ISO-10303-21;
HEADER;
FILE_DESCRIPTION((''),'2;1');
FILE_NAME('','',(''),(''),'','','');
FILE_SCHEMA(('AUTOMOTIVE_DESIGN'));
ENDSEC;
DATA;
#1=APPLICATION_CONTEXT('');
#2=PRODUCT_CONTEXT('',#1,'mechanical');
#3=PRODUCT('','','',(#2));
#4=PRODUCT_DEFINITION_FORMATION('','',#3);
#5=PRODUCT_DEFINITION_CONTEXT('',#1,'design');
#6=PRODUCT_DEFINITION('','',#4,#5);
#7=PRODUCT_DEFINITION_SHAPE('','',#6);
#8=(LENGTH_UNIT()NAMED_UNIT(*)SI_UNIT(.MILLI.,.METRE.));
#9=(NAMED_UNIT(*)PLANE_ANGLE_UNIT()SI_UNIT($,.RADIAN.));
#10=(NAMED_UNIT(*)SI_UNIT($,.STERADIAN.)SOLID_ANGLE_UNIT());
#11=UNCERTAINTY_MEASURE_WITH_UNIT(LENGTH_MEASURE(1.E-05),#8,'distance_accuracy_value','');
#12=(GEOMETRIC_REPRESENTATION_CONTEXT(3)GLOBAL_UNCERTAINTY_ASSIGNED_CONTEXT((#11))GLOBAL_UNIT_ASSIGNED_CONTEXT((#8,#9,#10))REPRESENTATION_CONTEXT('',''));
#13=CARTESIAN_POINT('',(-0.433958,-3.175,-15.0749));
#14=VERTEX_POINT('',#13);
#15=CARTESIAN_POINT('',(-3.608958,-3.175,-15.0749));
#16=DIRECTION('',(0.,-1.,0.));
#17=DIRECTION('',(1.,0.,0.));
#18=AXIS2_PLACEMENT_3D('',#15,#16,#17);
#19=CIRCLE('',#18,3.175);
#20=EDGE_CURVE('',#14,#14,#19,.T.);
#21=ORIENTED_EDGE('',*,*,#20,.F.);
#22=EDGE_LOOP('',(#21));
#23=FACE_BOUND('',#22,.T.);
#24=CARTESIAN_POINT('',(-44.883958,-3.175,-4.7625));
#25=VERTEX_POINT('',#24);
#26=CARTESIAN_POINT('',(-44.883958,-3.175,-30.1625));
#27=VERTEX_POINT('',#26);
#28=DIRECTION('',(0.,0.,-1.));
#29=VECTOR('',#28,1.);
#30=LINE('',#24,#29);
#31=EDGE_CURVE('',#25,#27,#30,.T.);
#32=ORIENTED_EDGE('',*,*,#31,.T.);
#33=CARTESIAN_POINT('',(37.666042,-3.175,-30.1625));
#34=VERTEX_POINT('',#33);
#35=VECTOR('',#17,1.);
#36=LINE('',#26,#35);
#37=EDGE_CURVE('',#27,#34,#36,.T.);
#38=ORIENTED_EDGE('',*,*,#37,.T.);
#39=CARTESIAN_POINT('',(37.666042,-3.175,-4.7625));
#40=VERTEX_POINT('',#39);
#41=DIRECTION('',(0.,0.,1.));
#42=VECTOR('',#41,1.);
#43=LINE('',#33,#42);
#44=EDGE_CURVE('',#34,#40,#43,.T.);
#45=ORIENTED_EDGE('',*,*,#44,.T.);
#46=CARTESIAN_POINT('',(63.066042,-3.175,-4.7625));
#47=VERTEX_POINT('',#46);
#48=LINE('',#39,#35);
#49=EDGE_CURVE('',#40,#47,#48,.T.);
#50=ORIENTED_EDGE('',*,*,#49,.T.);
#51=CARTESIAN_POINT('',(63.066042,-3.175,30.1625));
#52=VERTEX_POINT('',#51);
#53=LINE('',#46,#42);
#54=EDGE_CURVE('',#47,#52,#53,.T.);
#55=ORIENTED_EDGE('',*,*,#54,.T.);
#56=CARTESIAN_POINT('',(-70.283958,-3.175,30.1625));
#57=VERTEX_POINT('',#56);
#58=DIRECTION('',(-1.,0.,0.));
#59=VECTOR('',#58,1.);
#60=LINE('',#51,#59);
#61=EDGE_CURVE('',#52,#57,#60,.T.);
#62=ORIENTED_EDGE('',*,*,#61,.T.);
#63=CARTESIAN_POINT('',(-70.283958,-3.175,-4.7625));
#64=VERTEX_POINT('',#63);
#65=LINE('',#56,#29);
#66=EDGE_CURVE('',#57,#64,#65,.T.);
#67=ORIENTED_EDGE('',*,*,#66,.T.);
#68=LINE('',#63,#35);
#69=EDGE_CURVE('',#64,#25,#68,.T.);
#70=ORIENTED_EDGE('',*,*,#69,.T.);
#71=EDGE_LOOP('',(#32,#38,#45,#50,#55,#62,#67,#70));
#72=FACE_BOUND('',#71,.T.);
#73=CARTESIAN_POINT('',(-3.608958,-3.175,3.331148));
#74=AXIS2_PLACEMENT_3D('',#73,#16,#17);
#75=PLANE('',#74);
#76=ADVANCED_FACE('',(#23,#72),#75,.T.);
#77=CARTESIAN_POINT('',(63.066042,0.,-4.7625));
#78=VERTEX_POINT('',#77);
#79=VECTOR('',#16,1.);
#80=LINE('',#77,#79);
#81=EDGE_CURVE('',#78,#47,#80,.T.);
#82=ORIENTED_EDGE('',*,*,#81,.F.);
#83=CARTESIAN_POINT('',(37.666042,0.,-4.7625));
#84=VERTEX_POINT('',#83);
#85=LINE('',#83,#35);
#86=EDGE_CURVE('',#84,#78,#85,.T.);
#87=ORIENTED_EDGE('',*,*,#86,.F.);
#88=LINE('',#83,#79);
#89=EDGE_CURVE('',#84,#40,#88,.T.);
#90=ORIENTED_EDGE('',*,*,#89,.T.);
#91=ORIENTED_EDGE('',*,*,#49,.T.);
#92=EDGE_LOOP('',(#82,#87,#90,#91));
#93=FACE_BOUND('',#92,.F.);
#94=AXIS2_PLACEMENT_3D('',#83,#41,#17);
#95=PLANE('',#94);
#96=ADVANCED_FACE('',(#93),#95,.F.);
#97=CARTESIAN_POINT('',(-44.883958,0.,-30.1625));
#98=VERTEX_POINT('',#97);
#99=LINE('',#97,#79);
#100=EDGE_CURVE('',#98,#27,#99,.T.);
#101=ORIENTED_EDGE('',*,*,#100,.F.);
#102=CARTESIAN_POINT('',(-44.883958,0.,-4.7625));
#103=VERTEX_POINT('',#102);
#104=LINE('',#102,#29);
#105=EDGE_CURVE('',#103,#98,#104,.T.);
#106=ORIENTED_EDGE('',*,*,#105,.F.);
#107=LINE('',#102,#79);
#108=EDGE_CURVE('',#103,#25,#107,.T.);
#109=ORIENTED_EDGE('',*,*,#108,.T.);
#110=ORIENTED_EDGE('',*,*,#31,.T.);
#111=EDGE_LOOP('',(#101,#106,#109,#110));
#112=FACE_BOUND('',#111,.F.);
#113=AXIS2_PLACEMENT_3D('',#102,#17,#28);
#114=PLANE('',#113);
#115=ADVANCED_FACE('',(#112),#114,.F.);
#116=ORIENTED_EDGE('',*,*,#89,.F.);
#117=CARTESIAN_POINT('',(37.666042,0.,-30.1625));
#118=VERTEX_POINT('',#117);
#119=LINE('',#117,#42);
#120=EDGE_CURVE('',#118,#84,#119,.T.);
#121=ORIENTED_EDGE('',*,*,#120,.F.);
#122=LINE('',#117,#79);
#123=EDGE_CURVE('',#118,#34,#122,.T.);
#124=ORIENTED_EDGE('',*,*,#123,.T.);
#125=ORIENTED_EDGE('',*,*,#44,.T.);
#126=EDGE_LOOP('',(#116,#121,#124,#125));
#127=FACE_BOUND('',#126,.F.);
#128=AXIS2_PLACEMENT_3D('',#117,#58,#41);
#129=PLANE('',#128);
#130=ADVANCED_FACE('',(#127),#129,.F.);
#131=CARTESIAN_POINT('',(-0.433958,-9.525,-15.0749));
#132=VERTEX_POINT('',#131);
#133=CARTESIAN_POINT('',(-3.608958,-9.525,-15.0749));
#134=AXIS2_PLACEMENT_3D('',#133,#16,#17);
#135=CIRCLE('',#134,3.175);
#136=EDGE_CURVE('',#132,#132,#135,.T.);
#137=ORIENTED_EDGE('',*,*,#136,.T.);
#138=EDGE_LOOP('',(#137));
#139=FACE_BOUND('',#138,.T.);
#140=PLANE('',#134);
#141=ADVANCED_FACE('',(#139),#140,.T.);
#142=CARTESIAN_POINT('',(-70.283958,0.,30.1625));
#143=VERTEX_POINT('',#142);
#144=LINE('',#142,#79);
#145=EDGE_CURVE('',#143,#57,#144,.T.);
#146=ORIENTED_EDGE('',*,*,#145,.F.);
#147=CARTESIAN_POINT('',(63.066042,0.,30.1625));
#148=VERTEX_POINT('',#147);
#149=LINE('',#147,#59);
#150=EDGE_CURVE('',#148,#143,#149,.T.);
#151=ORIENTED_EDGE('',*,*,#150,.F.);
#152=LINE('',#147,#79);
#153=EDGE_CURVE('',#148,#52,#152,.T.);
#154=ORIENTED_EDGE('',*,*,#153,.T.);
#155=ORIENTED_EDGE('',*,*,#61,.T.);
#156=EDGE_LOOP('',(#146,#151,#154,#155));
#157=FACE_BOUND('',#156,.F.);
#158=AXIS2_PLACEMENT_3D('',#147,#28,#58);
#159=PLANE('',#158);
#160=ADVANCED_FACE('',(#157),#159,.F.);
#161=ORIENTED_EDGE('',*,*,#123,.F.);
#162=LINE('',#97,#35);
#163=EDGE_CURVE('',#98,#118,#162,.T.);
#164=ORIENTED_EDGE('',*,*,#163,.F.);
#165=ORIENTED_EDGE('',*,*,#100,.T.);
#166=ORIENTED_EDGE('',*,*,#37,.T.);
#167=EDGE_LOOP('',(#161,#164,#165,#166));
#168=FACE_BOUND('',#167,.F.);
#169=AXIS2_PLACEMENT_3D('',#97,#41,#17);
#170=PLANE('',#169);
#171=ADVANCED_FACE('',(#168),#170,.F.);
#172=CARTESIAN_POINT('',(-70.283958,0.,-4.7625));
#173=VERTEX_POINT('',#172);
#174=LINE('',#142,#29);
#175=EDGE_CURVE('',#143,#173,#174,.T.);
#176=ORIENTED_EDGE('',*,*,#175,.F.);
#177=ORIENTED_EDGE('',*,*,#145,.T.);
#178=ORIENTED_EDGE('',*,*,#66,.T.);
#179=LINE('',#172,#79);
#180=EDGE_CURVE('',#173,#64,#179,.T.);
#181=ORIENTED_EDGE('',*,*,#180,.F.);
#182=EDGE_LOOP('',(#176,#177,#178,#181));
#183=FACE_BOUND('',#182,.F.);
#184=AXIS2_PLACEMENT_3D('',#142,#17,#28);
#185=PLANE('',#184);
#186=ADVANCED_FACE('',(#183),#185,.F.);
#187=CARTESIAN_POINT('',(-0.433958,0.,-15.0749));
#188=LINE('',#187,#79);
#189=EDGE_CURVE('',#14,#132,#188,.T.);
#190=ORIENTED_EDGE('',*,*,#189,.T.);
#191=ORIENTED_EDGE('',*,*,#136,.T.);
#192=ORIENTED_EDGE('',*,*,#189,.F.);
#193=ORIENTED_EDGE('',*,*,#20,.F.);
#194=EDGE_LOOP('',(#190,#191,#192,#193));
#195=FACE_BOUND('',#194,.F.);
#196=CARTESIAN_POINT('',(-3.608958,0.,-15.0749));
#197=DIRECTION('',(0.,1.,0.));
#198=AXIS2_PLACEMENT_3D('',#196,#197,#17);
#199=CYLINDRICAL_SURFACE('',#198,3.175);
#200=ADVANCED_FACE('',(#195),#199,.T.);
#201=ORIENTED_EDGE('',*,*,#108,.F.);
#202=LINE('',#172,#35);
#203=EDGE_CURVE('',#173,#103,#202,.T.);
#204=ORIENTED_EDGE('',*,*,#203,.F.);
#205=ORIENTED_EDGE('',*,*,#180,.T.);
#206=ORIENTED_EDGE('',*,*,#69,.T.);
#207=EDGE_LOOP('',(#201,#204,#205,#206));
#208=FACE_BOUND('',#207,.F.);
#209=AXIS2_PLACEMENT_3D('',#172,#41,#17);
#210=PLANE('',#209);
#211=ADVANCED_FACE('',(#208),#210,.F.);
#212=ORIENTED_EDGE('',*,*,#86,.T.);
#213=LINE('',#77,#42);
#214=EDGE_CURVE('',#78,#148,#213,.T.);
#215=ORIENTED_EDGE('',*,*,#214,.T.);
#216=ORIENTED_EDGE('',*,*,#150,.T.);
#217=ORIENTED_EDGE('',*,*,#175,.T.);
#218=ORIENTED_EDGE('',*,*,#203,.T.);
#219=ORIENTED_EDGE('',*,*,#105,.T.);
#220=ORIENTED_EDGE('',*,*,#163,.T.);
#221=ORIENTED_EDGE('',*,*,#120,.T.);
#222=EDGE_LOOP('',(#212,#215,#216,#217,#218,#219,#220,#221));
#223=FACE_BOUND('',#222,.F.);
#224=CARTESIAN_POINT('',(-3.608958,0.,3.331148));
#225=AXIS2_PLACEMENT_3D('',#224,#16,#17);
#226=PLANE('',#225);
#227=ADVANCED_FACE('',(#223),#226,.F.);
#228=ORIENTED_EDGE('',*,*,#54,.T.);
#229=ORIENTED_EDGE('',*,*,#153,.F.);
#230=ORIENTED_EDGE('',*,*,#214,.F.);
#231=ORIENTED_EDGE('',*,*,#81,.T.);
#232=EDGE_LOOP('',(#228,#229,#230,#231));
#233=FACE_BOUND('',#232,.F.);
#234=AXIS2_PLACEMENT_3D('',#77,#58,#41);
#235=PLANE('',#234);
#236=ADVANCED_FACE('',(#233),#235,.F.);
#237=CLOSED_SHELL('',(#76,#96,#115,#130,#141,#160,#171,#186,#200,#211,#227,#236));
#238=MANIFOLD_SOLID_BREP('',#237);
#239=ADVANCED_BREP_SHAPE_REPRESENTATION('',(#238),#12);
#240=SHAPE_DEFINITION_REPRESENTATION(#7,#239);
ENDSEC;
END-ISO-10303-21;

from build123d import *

# Parameters (mm, degrees)
F0_R     = 3.175
F1_DEPTH = 3.175
F2_DEPTH = 9.525


with BuildPart() as f1:
    # F0 (on Front) → F1 (new body)
    with BuildSketch(Plane.XZ):
        Polygon((63.066042, -4.7625), (63.066042, 30.1625), (-70.283958, 30.1625), (-70.283958, -4.7625), (-44.883958, -4.7625), (-44.883958, -30.1625), (37.666042, -30.1625), (37.666042, -4.7625), align=None)
        with Locations((-3.608958, -15.0749)):
            Circle(F0_R, mode=Mode.SUBTRACT)
    extrude(amount=F1_DEPTH)

    # F0 (on Front) → F2 (join)
    with BuildSketch(Plane.XZ):
        with Locations((-3.608958, -15.0749)):
            Circle(F0_R)
    extrude(amount=F2_DEPTH)


solid = f1.part
